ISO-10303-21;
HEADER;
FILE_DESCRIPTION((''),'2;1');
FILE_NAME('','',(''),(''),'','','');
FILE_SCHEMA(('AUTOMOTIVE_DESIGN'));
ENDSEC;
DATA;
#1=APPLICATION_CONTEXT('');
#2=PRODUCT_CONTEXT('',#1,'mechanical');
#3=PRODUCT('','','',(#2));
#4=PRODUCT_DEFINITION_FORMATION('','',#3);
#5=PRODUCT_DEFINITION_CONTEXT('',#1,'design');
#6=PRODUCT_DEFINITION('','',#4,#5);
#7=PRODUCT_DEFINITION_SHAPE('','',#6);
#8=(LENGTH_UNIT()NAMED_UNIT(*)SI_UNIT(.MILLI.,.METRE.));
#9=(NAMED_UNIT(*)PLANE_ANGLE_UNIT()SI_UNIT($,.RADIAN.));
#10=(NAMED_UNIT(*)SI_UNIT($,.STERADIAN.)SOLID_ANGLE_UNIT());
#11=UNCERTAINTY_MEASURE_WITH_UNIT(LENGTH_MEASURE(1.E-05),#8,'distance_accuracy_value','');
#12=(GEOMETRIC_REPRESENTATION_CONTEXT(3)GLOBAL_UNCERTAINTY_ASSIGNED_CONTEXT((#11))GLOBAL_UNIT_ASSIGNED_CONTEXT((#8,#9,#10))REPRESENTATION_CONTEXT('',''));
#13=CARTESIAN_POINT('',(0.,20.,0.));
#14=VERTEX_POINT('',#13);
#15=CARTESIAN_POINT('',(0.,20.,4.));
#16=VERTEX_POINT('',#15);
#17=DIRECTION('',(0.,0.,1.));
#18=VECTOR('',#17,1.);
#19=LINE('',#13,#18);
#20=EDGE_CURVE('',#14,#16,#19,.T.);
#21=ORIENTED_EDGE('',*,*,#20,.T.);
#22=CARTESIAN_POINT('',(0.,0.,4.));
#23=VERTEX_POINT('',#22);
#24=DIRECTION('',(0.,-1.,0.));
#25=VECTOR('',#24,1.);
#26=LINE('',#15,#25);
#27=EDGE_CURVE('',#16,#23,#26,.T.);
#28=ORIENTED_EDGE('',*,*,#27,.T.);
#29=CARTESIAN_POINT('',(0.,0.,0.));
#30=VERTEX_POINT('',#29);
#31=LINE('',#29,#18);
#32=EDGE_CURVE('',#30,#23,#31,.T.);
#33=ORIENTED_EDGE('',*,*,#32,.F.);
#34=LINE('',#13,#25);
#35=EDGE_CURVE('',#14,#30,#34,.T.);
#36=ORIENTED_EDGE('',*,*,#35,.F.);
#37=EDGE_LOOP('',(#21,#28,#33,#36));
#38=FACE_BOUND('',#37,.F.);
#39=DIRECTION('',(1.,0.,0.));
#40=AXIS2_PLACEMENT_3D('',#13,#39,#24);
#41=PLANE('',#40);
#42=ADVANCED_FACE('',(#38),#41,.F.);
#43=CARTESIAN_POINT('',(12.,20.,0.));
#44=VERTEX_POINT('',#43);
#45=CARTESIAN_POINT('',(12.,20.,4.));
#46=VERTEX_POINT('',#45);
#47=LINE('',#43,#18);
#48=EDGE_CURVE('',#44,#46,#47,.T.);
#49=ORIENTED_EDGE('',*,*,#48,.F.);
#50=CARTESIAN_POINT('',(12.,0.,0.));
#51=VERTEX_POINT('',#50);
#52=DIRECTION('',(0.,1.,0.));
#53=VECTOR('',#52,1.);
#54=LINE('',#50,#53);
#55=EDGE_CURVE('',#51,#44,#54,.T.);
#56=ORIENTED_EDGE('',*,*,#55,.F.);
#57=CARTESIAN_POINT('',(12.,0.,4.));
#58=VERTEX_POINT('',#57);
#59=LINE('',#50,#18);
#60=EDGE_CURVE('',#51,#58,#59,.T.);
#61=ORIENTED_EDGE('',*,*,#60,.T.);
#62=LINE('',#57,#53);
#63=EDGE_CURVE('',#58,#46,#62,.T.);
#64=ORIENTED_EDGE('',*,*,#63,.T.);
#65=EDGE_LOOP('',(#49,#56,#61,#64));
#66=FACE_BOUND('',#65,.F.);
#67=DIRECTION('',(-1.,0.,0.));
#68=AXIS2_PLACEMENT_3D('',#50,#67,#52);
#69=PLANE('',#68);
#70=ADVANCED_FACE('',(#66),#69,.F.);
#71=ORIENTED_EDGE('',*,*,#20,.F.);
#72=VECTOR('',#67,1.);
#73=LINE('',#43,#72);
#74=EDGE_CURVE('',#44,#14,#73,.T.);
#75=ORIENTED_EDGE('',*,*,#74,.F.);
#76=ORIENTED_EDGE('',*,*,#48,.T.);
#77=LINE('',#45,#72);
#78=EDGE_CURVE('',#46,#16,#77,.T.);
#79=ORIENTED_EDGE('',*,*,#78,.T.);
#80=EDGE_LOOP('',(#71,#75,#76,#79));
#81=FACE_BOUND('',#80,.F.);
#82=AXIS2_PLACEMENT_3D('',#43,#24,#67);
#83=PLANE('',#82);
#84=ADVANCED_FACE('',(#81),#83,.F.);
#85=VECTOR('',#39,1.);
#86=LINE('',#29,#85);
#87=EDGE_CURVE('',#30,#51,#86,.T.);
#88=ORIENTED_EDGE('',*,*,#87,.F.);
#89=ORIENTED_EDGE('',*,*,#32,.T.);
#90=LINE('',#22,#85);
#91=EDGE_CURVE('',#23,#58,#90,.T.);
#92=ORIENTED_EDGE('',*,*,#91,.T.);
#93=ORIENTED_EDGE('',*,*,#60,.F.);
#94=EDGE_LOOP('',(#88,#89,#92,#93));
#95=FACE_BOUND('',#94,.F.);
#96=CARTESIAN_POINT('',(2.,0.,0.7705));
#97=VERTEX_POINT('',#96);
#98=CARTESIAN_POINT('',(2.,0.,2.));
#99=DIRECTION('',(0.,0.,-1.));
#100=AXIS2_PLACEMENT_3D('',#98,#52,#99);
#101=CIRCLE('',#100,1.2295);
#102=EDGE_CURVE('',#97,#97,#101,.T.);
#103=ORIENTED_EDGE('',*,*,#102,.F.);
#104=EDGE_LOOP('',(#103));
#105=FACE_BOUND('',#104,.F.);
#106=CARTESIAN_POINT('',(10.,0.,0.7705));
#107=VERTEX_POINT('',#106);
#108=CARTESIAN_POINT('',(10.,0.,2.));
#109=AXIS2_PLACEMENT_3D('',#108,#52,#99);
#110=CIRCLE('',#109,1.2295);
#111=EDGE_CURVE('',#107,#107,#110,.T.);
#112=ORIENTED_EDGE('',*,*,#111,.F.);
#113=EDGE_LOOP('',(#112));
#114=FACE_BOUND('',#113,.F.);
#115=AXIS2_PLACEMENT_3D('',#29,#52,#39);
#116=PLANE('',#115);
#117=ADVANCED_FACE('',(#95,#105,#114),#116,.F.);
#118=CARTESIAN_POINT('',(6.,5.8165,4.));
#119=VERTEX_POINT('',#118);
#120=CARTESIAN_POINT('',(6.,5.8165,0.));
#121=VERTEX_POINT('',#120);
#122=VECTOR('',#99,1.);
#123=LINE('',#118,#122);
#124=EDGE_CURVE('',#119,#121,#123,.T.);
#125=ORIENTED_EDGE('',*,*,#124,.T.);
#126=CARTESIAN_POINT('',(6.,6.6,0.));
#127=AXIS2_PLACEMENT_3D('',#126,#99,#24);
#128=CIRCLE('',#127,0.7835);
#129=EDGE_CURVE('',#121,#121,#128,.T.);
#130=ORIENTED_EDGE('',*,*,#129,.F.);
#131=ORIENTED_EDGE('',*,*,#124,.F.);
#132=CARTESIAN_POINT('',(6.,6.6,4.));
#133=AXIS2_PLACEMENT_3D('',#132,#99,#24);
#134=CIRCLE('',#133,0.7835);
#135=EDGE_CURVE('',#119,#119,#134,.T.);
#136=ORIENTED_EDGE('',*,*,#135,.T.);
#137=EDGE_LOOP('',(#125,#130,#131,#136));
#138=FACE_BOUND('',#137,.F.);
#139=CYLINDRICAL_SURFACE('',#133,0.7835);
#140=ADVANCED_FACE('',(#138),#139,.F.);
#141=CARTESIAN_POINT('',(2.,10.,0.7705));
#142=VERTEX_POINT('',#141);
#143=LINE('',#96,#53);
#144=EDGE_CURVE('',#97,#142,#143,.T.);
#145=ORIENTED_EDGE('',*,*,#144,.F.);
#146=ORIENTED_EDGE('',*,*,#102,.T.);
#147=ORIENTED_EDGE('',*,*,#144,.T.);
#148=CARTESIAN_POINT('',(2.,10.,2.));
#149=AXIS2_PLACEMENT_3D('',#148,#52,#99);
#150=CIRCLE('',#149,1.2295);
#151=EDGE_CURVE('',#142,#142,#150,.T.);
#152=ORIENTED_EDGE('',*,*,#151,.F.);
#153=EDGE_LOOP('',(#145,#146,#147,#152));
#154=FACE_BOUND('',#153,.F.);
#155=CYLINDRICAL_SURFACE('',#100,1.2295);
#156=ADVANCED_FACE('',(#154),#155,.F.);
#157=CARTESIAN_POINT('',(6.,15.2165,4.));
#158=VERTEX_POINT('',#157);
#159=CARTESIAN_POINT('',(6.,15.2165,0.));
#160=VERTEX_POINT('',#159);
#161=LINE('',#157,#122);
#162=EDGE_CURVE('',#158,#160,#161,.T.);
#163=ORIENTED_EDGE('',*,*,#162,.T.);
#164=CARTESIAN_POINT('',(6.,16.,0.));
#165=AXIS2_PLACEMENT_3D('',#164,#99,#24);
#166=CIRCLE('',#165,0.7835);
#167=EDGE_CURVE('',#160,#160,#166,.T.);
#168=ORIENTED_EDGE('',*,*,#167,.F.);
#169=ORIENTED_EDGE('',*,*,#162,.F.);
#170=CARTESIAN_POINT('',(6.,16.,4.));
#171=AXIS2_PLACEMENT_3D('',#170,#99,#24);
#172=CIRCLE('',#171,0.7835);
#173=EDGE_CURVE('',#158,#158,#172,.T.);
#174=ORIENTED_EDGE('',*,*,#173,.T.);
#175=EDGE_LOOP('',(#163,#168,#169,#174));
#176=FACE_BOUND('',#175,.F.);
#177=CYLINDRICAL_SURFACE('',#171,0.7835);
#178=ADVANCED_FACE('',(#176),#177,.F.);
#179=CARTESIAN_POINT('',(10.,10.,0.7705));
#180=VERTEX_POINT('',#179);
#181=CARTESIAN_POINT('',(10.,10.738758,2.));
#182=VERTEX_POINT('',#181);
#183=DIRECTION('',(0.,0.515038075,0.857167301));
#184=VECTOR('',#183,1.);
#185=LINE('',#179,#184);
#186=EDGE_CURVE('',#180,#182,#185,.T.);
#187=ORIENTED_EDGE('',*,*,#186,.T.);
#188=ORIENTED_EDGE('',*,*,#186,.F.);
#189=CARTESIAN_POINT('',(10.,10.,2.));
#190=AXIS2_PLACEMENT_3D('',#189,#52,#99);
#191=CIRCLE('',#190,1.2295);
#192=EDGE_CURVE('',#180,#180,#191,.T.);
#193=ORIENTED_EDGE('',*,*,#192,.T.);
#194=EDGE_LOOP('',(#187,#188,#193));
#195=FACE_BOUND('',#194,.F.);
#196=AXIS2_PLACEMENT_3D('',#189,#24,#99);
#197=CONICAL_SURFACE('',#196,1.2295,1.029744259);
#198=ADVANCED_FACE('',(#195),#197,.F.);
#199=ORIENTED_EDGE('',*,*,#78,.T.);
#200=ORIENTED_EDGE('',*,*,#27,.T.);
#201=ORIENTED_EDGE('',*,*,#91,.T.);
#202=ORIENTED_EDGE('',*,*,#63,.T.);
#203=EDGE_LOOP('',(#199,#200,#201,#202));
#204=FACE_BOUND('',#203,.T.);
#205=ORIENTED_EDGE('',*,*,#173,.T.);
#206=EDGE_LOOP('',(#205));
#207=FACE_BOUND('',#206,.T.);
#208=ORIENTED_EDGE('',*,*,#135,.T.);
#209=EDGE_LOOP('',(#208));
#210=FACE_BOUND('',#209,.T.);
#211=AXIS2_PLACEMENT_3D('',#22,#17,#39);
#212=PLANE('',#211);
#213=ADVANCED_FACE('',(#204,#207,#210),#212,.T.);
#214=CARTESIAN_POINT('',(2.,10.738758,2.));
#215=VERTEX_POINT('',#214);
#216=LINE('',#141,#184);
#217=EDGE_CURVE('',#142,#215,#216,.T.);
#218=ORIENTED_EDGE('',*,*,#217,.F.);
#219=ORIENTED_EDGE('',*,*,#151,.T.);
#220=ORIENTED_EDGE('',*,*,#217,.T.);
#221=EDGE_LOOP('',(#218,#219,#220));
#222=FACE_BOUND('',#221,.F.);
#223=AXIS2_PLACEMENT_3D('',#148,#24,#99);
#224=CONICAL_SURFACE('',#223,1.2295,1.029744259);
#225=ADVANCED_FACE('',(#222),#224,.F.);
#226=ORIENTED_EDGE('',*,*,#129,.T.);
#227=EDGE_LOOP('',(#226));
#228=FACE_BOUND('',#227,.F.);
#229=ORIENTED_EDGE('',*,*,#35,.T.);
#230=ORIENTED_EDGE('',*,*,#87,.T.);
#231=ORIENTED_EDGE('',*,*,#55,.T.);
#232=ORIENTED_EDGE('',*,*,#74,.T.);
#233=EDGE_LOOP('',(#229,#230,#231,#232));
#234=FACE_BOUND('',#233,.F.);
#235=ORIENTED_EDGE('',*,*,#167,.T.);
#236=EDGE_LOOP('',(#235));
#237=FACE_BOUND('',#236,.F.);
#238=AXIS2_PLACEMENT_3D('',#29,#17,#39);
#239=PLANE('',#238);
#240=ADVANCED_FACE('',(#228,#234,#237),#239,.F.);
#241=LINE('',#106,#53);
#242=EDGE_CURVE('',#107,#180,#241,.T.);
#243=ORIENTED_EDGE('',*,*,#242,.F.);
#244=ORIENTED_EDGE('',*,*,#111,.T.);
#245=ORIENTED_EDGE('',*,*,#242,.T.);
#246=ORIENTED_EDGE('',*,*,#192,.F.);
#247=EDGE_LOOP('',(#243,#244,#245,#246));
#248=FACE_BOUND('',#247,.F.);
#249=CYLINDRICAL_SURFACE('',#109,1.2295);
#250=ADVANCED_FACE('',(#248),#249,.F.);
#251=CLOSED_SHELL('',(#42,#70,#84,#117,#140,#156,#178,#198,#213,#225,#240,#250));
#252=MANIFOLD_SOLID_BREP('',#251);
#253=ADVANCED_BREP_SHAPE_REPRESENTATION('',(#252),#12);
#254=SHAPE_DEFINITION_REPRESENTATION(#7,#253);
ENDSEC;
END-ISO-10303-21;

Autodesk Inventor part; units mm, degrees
ref_plane "YZ Plane" through (0, 0, 0) normal (1, 0, 0) x (0, 1, 0)
ref_plane "XZ Plane" through (0, 0, 0) normal (0, 1, 0) x (-1, 0, 0)
ref_plane "XY Plane" through (0, 0, 0) normal (0, 0, 1) x (1, 0, 0)
sketch "Skizze1" plane through (0, 0, 0) normal (0, 0, 1) x (1, 0, 0)
  line L0 (0, 0) -> (12, 0)
  line L1 (12, 0) -> (12, 20)
  line L2 (12, 20) -> (0, 20)
  line L3 (0, 20) -> (0, 0)
  dimension "d0" = 20
  dimension "d1" = 12
extrude "Extrusion1" add sketch "Skizze1" along normal blind 4
sketch "Skizze2" plane through (0, 0, 0) normal (0, -1, 0) x (1, 0, 0)
  line L0 (12, 4) -> (0, 4) projected
  line L1 (0, 0) -> (0, 4) projected
  line L2 (0, 0) -> (12, 0) projected
  line L3 (12, 0) -> (12, 4) projected
  line L4 (0, 2) -> (12, 2)
  line L5 (6, 4) -> (6, 0)
  point P0 (2, 2)
  point P1 (10, 2)
  dimension "d4" = 8
hole "Bohrung1" at (2, 0, 2) at (10, 0, 2) direction (0, 1, 0) diameter 2.459 depth 10 tip angle 118 thread size "M3x0.5" class "6H" standard "ISO Metric profile"
sketch "Skizze3" plane through (0, 0, 4) normal (0, 0, 1) x (1, 0, 0)
  line L0 (12, 0) -> (0, 0) projected
  line L1 (0, 20) -> (12, 20) projected
  line L2 (6, 0) -> (6, 20)
  point P0 (6, 16)
  point P1 (6, 6.6)
  dimension "d13" = 9.4
  dimension "d14" = 4
hole "Bohrung2" at (6, 16, 4) at (6, 6.6, 4) direction (0, 0, -1) diameter 1.567 depth 10 tip angle 118 thread size "M2x0.4" class "6H" standard "ISO Metric profile"
properties part number "13_0204_066"
